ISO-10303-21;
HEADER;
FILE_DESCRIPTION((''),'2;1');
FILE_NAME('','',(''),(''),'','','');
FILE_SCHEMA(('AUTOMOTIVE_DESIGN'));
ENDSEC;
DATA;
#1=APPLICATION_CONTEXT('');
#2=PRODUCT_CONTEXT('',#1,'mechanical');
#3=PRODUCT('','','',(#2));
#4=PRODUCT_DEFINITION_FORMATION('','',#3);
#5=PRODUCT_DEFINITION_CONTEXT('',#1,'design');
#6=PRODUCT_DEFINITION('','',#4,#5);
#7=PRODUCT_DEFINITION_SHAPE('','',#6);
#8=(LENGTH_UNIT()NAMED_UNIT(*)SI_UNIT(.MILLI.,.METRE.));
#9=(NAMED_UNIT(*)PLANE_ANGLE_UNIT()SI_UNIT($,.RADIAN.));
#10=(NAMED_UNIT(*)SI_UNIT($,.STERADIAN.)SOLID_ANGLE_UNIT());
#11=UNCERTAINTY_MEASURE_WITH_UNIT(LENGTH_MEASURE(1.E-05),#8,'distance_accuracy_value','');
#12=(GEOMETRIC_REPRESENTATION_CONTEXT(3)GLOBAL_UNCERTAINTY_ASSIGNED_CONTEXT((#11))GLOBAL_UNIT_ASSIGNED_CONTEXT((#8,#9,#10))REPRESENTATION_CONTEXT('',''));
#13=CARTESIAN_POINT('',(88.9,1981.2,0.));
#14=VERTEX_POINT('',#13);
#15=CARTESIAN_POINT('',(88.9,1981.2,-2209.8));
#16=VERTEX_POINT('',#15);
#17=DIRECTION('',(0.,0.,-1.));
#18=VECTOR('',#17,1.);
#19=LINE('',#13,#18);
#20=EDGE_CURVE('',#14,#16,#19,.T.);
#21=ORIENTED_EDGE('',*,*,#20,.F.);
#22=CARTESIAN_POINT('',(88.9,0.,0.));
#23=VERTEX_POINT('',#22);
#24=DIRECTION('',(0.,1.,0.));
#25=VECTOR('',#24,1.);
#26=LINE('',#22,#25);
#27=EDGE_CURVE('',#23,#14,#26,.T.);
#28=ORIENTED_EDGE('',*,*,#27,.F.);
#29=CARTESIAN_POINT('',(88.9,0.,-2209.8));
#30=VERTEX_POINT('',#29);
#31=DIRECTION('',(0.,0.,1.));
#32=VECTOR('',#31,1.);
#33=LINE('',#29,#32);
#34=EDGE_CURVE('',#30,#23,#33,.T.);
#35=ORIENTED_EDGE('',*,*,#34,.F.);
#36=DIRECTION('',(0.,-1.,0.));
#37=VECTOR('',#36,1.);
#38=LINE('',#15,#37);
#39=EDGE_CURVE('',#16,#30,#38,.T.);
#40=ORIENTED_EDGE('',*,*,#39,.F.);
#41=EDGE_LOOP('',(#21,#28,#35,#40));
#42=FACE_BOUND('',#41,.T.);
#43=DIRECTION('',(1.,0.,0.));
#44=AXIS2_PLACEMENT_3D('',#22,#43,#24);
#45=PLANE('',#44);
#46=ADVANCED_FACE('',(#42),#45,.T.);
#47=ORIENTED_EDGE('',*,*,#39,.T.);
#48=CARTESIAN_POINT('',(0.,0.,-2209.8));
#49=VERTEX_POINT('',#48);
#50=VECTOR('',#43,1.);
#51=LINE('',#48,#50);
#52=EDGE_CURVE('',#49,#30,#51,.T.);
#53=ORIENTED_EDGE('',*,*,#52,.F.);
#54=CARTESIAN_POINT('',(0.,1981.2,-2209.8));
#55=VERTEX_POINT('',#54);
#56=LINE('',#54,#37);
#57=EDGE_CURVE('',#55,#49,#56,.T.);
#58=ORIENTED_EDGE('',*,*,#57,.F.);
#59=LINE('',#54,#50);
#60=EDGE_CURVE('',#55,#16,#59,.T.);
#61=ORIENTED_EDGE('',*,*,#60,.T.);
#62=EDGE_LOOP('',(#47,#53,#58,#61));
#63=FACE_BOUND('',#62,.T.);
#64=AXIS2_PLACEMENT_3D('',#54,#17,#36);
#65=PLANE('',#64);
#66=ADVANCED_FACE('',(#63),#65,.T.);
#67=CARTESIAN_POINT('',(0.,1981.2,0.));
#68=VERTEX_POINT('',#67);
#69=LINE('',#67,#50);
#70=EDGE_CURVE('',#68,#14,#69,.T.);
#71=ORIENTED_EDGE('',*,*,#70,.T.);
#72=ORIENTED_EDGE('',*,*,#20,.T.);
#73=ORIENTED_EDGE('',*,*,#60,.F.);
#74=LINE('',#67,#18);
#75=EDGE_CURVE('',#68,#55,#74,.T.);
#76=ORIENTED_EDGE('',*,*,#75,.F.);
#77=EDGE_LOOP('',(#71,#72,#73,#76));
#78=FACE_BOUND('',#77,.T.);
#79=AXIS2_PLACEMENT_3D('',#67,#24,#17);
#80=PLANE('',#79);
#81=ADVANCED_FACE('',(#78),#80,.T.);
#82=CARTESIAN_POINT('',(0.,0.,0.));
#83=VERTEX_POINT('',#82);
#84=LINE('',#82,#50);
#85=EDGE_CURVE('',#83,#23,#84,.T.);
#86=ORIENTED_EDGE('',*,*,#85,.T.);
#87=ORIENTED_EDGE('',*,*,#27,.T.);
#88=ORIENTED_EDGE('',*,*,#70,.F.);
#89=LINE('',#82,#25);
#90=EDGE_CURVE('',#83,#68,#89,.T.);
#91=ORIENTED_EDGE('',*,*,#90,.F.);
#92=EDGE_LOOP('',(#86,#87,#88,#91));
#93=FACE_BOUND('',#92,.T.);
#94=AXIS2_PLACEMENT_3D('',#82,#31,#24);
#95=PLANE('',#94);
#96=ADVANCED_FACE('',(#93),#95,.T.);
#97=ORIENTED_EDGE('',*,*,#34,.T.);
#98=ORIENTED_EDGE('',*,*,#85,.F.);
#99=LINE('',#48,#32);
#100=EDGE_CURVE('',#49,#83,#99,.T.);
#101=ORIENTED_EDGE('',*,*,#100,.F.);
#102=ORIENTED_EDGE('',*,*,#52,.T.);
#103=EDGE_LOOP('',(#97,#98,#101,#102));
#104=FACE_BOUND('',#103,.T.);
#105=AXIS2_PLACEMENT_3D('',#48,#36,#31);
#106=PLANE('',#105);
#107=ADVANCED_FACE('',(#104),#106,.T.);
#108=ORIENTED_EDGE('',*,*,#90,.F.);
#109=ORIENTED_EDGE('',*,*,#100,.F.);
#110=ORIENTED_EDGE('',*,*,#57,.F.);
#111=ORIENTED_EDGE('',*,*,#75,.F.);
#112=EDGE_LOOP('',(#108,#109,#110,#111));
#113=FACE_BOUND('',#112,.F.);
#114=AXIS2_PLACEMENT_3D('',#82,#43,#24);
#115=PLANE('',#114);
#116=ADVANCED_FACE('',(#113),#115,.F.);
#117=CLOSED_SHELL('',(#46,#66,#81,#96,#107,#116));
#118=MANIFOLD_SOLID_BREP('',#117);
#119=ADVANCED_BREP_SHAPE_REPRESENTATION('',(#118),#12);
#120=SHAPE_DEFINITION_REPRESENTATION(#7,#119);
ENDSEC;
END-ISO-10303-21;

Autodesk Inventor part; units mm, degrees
ref_plane "YZ Plane" through (0, 0, 0) normal (1, 0, 0) x (0, 1, 0)
ref_plane "XZ Plane" through (0, 0, 0) normal (0, 1, 0) x (-1, 0, 0)
ref_plane "XY Plane" through (0, 0, 0) normal (0, 0, 1) x (1, 0, 0)
sketch "Sketch1" plane through (0, 0, 0) normal (1, 0, 0) x (0, 1, 0)
  line L0 (0, 0) -> (1981.2, 0)
  line L1 (1981.2, 0) -> (1981.2, -2209.8)
  line L2 (1981.2, -2209.8) -> (0, -2209.8)
  line L3 (0, -2209.8) -> (0, 0)
  dimension "d2" = 2209.8
  dimension "d3" = 1981.2
extrude "Extrusion1" add sketch "Sketch1" along normal blind 88.9
properties part number "Existing_Stairwell_Side_Wall" material "Wood (Southern Pine)"
